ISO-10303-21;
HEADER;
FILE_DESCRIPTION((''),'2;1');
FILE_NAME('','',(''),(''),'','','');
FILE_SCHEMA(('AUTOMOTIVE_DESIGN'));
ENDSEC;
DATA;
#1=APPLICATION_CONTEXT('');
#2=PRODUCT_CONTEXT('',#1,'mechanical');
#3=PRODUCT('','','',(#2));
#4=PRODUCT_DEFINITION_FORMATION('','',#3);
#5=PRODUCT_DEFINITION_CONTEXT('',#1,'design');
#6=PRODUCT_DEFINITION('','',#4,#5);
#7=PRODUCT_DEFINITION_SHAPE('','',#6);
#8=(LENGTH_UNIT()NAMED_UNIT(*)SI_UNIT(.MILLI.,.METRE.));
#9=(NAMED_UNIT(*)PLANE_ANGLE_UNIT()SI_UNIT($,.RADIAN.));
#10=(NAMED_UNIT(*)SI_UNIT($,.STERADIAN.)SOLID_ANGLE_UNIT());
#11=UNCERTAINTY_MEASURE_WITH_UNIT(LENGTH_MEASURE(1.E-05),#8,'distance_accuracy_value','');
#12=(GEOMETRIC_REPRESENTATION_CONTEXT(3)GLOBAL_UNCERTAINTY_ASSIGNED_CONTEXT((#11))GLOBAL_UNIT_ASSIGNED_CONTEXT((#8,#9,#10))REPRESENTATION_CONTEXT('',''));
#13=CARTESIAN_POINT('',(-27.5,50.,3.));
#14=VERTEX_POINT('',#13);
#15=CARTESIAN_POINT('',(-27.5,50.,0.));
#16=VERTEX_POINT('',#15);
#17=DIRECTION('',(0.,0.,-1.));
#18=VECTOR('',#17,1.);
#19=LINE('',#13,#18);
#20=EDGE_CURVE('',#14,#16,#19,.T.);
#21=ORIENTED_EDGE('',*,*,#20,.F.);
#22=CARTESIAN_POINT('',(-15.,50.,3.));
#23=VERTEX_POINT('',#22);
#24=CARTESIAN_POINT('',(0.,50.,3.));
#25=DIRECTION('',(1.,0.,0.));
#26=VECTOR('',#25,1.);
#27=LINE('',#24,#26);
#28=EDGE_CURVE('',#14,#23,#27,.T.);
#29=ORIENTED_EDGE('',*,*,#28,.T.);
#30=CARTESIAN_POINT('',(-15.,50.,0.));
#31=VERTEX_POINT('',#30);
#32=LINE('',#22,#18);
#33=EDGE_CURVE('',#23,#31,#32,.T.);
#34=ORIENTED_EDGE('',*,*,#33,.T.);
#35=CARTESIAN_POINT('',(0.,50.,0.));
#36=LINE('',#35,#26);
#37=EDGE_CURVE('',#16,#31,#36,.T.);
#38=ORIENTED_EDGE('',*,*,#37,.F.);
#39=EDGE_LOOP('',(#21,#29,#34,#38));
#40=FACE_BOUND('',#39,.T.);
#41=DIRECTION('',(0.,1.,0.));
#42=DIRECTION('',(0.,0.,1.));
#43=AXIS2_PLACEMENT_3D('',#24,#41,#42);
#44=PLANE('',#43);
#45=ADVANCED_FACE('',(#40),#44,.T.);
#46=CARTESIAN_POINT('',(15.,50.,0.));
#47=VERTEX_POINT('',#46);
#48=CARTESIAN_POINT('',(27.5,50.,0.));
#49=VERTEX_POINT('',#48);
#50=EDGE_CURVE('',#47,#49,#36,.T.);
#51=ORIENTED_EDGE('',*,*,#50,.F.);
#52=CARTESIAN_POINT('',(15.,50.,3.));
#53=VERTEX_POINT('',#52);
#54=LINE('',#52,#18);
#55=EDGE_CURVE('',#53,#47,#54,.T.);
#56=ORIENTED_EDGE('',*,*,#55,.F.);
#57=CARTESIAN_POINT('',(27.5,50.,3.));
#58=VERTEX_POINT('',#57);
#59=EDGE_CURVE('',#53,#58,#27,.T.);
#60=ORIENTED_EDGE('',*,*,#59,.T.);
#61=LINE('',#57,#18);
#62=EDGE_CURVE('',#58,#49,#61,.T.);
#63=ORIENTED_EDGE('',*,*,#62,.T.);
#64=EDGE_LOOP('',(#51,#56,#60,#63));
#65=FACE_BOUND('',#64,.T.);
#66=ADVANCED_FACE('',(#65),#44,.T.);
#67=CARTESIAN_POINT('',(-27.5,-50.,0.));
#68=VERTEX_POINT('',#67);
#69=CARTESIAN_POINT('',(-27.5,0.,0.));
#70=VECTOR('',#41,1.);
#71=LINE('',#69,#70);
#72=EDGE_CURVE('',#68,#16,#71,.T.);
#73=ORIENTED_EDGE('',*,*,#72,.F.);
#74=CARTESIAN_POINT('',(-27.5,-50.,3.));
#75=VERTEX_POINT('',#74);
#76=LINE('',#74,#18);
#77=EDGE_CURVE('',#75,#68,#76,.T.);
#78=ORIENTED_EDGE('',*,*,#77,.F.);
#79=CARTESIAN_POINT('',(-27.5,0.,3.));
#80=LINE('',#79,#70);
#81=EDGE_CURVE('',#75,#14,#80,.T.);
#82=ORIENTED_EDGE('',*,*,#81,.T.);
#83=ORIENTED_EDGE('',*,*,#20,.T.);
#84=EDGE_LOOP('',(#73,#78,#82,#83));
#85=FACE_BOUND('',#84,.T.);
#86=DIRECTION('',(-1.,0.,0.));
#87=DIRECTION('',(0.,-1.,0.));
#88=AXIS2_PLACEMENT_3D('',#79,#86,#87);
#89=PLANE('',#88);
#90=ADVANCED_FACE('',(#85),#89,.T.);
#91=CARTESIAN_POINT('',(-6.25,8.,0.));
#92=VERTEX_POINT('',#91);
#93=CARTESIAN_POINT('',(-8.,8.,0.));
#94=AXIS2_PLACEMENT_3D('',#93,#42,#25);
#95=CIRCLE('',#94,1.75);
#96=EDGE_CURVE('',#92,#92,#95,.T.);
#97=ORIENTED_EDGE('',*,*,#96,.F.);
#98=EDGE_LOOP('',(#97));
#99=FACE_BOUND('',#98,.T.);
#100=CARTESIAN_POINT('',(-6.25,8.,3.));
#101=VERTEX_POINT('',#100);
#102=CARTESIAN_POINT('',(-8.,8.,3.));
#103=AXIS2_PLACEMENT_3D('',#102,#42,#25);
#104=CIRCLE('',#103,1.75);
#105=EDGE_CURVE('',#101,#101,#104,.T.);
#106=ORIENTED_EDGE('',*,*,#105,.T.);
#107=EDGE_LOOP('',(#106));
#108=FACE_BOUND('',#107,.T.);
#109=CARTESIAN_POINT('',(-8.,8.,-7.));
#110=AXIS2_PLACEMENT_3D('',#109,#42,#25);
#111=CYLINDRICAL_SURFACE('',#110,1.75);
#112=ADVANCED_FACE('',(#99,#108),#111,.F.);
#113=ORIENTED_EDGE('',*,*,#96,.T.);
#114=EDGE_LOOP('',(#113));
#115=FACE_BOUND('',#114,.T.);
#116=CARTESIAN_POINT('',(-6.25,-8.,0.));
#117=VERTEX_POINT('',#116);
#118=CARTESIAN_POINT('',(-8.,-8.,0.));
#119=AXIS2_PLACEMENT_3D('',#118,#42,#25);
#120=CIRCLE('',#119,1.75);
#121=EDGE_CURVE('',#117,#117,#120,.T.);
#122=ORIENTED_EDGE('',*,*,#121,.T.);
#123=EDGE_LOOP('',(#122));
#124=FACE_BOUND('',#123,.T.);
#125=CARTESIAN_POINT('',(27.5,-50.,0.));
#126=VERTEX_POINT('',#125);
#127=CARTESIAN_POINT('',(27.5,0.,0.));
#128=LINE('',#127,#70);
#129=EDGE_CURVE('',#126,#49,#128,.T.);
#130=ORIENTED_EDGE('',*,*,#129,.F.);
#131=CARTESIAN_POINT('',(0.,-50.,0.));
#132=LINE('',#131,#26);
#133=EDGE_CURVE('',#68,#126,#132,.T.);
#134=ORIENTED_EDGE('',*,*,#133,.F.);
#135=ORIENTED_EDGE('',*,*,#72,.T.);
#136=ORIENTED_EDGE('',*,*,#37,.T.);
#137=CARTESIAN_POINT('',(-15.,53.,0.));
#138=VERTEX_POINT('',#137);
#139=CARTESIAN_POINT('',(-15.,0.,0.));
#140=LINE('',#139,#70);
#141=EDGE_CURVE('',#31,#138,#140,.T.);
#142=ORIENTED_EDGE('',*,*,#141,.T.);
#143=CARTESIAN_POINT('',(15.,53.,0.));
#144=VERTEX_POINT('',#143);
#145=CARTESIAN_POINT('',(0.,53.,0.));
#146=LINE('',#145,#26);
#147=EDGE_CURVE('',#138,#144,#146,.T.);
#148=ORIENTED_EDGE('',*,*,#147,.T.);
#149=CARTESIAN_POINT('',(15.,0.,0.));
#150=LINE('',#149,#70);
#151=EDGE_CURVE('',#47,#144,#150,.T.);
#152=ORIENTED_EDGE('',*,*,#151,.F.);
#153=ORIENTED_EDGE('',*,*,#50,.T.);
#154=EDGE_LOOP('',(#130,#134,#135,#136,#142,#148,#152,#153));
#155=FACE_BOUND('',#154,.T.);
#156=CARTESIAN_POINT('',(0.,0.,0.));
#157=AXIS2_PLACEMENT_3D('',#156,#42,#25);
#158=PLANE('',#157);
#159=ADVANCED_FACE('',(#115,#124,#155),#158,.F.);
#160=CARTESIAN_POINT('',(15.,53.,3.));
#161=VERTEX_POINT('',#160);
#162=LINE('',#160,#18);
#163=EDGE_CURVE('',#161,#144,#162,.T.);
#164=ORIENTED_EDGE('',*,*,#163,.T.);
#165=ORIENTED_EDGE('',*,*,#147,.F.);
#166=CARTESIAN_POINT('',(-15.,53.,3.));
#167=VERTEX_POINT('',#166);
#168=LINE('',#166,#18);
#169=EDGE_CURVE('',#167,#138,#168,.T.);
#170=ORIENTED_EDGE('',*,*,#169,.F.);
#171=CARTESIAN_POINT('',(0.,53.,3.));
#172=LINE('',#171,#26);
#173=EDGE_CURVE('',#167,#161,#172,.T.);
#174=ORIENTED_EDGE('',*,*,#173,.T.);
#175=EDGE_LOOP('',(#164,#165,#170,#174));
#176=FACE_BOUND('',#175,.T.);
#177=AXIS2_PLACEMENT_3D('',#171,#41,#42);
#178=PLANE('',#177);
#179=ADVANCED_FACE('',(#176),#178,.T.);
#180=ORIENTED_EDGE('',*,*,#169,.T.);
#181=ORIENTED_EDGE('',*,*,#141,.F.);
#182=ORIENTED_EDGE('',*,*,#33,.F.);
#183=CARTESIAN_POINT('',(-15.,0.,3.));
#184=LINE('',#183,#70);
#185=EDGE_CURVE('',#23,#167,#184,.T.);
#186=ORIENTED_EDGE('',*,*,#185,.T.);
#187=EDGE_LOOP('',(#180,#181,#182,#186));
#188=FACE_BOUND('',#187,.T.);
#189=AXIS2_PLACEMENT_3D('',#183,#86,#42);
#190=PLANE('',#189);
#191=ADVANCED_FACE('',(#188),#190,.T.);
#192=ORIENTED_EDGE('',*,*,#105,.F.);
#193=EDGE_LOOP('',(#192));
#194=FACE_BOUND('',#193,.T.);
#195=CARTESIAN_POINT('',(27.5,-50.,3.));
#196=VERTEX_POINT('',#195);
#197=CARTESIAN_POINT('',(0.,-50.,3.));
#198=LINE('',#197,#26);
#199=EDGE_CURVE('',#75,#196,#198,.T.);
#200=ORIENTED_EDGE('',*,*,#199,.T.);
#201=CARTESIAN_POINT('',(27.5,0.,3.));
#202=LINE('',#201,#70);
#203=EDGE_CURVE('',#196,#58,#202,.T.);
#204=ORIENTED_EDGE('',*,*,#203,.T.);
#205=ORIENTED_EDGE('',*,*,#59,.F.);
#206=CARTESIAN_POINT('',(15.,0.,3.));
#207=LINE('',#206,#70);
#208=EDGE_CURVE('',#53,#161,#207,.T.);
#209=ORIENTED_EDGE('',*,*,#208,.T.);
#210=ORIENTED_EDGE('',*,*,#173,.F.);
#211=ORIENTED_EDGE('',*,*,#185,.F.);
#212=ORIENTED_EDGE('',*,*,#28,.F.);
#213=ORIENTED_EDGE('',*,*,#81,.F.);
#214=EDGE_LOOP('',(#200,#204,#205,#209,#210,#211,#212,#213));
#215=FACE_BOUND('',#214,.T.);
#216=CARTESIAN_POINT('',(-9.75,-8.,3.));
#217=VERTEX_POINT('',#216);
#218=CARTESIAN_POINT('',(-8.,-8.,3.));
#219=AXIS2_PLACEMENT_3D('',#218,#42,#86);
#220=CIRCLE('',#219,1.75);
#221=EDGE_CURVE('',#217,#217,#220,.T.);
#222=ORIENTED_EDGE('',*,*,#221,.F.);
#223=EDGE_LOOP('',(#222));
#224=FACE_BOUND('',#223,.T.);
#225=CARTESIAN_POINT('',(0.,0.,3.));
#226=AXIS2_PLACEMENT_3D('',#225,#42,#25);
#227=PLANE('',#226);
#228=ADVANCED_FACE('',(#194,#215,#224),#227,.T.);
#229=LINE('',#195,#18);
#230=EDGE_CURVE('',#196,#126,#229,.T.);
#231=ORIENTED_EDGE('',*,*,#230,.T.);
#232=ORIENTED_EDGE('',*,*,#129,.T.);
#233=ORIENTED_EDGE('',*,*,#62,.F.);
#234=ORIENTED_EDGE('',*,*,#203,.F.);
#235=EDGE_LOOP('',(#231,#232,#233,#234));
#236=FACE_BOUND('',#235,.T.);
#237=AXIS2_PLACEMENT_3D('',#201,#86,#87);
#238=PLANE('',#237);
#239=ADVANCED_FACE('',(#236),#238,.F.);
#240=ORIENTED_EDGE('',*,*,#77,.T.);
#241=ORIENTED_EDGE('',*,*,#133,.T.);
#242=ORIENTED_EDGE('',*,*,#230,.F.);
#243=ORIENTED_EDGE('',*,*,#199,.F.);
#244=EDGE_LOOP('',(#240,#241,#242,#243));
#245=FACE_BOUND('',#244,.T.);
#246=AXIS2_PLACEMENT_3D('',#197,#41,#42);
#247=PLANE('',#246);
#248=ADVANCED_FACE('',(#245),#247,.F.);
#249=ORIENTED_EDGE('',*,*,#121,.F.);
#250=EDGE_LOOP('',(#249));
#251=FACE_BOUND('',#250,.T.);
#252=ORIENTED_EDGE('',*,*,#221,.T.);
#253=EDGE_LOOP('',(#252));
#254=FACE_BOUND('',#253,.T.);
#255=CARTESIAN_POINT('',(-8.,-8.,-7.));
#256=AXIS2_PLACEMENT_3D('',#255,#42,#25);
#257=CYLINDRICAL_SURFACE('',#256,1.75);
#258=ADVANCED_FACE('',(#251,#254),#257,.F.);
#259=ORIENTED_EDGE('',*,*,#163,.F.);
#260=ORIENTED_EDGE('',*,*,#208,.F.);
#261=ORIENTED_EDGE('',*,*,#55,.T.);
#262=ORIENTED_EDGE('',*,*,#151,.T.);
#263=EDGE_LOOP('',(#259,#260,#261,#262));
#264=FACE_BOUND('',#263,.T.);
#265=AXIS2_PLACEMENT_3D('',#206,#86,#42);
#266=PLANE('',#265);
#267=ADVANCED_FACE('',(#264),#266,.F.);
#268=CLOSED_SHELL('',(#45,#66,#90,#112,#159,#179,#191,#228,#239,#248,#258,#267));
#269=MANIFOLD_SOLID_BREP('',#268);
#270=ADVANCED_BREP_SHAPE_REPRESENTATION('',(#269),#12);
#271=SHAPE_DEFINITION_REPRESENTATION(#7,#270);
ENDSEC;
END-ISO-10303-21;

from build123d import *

# Parameters (mm, degrees)
SKETCH_1_W          = 30
SKETCH_1_H          = 3
EXTRUDE_1_DEPTH     = 3
SKETCH_2_R          = 1.75
CUT_EXTRUDE_1_DEPTH = 10


with BuildPart() as part:
    # Эскиз1 → Бобышка-Вытянуть1 (new body)
    with BuildSketch(Plane.XY):
        Polygon((-27.5, 50), (-27.5, -50), (27.5, -50), (27.5, 50), (15, 50), (15, 47), (-15, 47), (-15, 50), align=None)
        with Locations((0, 48.5)):
            Rectangle(SKETCH_1_W, SKETCH_1_H)
        with Locations((0, 51.5)):
            Rectangle(SKETCH_1_W, SKETCH_1_H)
    extrude(amount=EXTRUDE_1_DEPTH)

    # Эскиз2 → Вырез-Вытянуть1 (cut)
    with BuildSketch(Plane.XY.offset(3)):
        with Locations((-8, 8)):
            Circle(SKETCH_2_R)
        with Locations((-8, -8)):
            Circle(SKETCH_2_R)
    extrude(amount=-CUT_EXTRUDE_1_DEPTH, mode=Mode.SUBTRACT)


solid = part.part
